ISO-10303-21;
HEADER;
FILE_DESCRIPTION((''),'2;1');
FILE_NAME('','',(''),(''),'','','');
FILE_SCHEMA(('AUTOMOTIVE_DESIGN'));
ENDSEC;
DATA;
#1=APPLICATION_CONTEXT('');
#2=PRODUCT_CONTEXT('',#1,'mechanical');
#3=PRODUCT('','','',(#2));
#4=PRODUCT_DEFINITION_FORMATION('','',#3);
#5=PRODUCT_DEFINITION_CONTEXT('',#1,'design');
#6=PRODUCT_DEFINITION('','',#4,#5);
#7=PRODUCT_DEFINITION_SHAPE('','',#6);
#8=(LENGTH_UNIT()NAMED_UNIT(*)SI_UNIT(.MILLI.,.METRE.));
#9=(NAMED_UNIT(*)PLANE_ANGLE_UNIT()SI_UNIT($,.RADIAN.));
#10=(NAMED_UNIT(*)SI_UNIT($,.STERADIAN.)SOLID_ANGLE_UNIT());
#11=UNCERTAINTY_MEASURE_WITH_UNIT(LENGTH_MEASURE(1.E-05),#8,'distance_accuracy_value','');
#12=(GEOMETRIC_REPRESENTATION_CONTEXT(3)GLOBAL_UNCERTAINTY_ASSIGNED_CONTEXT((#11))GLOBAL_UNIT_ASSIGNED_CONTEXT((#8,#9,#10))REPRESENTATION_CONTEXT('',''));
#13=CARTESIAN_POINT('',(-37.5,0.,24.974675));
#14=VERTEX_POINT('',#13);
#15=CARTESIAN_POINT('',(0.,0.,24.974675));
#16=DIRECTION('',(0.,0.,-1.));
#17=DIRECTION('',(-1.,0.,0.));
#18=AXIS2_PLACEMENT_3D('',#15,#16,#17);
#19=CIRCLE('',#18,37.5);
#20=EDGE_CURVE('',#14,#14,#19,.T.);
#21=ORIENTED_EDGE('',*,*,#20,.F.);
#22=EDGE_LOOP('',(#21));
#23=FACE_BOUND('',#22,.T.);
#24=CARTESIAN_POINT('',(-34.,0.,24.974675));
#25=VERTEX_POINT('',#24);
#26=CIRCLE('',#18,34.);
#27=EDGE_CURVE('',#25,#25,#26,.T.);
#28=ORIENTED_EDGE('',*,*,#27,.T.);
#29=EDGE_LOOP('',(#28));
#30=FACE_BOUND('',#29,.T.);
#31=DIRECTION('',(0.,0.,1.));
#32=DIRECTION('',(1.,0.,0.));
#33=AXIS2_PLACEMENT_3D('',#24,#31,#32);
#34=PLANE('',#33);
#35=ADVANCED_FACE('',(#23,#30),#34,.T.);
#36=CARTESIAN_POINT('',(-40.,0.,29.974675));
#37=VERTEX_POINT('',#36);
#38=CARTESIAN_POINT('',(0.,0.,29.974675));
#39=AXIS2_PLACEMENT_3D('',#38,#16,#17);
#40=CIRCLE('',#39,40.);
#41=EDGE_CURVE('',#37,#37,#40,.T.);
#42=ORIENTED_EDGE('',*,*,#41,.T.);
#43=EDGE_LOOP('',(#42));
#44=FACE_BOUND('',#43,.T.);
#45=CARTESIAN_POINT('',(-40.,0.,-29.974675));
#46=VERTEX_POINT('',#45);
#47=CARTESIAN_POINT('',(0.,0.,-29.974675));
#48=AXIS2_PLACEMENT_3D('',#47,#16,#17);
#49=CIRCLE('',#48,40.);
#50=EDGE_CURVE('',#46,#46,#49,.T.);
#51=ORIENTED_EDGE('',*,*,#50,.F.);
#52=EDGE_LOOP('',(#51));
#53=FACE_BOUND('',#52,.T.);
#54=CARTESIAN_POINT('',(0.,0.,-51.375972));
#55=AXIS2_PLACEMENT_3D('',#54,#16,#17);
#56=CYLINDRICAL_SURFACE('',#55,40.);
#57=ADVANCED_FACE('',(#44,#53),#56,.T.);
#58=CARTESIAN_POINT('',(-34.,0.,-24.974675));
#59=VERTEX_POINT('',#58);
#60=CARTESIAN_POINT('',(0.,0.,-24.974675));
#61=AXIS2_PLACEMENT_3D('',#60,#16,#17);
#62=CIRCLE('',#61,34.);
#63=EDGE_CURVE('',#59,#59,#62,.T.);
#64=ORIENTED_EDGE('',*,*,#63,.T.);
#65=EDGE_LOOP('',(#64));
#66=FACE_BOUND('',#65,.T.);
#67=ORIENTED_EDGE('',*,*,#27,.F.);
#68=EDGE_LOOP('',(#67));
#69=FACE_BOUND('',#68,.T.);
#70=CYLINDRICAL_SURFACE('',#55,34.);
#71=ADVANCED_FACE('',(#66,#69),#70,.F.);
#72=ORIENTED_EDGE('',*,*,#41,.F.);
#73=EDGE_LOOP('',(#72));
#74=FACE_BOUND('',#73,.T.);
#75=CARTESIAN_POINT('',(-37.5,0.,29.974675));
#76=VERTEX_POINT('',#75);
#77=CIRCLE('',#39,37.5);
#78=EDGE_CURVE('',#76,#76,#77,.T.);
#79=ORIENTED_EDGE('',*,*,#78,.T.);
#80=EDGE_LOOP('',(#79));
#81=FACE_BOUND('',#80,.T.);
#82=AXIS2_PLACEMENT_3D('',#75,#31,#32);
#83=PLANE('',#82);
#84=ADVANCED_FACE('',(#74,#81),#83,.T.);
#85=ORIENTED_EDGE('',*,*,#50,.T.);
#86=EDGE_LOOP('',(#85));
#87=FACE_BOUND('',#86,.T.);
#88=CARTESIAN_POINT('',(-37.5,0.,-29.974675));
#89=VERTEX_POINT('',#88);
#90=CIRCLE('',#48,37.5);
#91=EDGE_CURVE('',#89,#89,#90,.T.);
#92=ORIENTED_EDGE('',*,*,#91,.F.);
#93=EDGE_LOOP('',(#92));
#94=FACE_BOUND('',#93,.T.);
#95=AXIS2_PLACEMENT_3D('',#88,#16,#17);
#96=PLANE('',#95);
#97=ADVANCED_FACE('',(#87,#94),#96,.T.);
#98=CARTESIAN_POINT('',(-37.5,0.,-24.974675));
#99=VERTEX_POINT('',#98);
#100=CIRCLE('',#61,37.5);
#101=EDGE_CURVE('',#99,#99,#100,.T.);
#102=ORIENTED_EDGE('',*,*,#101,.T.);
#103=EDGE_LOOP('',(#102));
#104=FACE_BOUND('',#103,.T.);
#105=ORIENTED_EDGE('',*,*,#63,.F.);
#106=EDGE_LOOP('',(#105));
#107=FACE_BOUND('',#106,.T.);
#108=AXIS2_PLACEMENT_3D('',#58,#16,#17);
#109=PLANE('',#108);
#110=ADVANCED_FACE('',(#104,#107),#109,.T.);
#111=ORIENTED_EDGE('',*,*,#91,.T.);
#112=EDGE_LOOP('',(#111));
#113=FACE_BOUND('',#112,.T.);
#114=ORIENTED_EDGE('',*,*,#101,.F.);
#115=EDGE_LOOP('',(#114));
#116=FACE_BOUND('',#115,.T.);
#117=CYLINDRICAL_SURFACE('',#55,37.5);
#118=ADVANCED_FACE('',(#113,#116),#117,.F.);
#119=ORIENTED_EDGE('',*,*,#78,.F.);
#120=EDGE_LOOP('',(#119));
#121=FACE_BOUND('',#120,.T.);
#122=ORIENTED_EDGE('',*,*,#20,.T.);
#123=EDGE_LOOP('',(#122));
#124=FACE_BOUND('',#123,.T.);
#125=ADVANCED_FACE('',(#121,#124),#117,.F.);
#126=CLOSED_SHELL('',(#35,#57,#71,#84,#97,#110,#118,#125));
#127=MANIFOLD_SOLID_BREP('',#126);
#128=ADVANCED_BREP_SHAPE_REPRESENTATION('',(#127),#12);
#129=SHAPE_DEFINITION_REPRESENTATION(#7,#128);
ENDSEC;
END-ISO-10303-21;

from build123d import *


with BuildPart() as part:
    # Sketch1 → Revolve1 (revolve)
    with BuildSketch(Plane(origin=(0, 0, 0), x_dir=(1, 0, 0), z_dir=(0, 1, 0))):
        Polygon((-34, 24.974675494), (-34, -24.974675494), (-37.5, -24.974675494), (-37.5, -29.974675494), (-40, -29.974675494), (-40, 29.974675494), (-37.5, 29.974675494), (-37.5, 24.974675494), align=None)
    revolve(axis=Axis((0, 0, -51.375971746), (0, 0, 1)))


solid = part.part
